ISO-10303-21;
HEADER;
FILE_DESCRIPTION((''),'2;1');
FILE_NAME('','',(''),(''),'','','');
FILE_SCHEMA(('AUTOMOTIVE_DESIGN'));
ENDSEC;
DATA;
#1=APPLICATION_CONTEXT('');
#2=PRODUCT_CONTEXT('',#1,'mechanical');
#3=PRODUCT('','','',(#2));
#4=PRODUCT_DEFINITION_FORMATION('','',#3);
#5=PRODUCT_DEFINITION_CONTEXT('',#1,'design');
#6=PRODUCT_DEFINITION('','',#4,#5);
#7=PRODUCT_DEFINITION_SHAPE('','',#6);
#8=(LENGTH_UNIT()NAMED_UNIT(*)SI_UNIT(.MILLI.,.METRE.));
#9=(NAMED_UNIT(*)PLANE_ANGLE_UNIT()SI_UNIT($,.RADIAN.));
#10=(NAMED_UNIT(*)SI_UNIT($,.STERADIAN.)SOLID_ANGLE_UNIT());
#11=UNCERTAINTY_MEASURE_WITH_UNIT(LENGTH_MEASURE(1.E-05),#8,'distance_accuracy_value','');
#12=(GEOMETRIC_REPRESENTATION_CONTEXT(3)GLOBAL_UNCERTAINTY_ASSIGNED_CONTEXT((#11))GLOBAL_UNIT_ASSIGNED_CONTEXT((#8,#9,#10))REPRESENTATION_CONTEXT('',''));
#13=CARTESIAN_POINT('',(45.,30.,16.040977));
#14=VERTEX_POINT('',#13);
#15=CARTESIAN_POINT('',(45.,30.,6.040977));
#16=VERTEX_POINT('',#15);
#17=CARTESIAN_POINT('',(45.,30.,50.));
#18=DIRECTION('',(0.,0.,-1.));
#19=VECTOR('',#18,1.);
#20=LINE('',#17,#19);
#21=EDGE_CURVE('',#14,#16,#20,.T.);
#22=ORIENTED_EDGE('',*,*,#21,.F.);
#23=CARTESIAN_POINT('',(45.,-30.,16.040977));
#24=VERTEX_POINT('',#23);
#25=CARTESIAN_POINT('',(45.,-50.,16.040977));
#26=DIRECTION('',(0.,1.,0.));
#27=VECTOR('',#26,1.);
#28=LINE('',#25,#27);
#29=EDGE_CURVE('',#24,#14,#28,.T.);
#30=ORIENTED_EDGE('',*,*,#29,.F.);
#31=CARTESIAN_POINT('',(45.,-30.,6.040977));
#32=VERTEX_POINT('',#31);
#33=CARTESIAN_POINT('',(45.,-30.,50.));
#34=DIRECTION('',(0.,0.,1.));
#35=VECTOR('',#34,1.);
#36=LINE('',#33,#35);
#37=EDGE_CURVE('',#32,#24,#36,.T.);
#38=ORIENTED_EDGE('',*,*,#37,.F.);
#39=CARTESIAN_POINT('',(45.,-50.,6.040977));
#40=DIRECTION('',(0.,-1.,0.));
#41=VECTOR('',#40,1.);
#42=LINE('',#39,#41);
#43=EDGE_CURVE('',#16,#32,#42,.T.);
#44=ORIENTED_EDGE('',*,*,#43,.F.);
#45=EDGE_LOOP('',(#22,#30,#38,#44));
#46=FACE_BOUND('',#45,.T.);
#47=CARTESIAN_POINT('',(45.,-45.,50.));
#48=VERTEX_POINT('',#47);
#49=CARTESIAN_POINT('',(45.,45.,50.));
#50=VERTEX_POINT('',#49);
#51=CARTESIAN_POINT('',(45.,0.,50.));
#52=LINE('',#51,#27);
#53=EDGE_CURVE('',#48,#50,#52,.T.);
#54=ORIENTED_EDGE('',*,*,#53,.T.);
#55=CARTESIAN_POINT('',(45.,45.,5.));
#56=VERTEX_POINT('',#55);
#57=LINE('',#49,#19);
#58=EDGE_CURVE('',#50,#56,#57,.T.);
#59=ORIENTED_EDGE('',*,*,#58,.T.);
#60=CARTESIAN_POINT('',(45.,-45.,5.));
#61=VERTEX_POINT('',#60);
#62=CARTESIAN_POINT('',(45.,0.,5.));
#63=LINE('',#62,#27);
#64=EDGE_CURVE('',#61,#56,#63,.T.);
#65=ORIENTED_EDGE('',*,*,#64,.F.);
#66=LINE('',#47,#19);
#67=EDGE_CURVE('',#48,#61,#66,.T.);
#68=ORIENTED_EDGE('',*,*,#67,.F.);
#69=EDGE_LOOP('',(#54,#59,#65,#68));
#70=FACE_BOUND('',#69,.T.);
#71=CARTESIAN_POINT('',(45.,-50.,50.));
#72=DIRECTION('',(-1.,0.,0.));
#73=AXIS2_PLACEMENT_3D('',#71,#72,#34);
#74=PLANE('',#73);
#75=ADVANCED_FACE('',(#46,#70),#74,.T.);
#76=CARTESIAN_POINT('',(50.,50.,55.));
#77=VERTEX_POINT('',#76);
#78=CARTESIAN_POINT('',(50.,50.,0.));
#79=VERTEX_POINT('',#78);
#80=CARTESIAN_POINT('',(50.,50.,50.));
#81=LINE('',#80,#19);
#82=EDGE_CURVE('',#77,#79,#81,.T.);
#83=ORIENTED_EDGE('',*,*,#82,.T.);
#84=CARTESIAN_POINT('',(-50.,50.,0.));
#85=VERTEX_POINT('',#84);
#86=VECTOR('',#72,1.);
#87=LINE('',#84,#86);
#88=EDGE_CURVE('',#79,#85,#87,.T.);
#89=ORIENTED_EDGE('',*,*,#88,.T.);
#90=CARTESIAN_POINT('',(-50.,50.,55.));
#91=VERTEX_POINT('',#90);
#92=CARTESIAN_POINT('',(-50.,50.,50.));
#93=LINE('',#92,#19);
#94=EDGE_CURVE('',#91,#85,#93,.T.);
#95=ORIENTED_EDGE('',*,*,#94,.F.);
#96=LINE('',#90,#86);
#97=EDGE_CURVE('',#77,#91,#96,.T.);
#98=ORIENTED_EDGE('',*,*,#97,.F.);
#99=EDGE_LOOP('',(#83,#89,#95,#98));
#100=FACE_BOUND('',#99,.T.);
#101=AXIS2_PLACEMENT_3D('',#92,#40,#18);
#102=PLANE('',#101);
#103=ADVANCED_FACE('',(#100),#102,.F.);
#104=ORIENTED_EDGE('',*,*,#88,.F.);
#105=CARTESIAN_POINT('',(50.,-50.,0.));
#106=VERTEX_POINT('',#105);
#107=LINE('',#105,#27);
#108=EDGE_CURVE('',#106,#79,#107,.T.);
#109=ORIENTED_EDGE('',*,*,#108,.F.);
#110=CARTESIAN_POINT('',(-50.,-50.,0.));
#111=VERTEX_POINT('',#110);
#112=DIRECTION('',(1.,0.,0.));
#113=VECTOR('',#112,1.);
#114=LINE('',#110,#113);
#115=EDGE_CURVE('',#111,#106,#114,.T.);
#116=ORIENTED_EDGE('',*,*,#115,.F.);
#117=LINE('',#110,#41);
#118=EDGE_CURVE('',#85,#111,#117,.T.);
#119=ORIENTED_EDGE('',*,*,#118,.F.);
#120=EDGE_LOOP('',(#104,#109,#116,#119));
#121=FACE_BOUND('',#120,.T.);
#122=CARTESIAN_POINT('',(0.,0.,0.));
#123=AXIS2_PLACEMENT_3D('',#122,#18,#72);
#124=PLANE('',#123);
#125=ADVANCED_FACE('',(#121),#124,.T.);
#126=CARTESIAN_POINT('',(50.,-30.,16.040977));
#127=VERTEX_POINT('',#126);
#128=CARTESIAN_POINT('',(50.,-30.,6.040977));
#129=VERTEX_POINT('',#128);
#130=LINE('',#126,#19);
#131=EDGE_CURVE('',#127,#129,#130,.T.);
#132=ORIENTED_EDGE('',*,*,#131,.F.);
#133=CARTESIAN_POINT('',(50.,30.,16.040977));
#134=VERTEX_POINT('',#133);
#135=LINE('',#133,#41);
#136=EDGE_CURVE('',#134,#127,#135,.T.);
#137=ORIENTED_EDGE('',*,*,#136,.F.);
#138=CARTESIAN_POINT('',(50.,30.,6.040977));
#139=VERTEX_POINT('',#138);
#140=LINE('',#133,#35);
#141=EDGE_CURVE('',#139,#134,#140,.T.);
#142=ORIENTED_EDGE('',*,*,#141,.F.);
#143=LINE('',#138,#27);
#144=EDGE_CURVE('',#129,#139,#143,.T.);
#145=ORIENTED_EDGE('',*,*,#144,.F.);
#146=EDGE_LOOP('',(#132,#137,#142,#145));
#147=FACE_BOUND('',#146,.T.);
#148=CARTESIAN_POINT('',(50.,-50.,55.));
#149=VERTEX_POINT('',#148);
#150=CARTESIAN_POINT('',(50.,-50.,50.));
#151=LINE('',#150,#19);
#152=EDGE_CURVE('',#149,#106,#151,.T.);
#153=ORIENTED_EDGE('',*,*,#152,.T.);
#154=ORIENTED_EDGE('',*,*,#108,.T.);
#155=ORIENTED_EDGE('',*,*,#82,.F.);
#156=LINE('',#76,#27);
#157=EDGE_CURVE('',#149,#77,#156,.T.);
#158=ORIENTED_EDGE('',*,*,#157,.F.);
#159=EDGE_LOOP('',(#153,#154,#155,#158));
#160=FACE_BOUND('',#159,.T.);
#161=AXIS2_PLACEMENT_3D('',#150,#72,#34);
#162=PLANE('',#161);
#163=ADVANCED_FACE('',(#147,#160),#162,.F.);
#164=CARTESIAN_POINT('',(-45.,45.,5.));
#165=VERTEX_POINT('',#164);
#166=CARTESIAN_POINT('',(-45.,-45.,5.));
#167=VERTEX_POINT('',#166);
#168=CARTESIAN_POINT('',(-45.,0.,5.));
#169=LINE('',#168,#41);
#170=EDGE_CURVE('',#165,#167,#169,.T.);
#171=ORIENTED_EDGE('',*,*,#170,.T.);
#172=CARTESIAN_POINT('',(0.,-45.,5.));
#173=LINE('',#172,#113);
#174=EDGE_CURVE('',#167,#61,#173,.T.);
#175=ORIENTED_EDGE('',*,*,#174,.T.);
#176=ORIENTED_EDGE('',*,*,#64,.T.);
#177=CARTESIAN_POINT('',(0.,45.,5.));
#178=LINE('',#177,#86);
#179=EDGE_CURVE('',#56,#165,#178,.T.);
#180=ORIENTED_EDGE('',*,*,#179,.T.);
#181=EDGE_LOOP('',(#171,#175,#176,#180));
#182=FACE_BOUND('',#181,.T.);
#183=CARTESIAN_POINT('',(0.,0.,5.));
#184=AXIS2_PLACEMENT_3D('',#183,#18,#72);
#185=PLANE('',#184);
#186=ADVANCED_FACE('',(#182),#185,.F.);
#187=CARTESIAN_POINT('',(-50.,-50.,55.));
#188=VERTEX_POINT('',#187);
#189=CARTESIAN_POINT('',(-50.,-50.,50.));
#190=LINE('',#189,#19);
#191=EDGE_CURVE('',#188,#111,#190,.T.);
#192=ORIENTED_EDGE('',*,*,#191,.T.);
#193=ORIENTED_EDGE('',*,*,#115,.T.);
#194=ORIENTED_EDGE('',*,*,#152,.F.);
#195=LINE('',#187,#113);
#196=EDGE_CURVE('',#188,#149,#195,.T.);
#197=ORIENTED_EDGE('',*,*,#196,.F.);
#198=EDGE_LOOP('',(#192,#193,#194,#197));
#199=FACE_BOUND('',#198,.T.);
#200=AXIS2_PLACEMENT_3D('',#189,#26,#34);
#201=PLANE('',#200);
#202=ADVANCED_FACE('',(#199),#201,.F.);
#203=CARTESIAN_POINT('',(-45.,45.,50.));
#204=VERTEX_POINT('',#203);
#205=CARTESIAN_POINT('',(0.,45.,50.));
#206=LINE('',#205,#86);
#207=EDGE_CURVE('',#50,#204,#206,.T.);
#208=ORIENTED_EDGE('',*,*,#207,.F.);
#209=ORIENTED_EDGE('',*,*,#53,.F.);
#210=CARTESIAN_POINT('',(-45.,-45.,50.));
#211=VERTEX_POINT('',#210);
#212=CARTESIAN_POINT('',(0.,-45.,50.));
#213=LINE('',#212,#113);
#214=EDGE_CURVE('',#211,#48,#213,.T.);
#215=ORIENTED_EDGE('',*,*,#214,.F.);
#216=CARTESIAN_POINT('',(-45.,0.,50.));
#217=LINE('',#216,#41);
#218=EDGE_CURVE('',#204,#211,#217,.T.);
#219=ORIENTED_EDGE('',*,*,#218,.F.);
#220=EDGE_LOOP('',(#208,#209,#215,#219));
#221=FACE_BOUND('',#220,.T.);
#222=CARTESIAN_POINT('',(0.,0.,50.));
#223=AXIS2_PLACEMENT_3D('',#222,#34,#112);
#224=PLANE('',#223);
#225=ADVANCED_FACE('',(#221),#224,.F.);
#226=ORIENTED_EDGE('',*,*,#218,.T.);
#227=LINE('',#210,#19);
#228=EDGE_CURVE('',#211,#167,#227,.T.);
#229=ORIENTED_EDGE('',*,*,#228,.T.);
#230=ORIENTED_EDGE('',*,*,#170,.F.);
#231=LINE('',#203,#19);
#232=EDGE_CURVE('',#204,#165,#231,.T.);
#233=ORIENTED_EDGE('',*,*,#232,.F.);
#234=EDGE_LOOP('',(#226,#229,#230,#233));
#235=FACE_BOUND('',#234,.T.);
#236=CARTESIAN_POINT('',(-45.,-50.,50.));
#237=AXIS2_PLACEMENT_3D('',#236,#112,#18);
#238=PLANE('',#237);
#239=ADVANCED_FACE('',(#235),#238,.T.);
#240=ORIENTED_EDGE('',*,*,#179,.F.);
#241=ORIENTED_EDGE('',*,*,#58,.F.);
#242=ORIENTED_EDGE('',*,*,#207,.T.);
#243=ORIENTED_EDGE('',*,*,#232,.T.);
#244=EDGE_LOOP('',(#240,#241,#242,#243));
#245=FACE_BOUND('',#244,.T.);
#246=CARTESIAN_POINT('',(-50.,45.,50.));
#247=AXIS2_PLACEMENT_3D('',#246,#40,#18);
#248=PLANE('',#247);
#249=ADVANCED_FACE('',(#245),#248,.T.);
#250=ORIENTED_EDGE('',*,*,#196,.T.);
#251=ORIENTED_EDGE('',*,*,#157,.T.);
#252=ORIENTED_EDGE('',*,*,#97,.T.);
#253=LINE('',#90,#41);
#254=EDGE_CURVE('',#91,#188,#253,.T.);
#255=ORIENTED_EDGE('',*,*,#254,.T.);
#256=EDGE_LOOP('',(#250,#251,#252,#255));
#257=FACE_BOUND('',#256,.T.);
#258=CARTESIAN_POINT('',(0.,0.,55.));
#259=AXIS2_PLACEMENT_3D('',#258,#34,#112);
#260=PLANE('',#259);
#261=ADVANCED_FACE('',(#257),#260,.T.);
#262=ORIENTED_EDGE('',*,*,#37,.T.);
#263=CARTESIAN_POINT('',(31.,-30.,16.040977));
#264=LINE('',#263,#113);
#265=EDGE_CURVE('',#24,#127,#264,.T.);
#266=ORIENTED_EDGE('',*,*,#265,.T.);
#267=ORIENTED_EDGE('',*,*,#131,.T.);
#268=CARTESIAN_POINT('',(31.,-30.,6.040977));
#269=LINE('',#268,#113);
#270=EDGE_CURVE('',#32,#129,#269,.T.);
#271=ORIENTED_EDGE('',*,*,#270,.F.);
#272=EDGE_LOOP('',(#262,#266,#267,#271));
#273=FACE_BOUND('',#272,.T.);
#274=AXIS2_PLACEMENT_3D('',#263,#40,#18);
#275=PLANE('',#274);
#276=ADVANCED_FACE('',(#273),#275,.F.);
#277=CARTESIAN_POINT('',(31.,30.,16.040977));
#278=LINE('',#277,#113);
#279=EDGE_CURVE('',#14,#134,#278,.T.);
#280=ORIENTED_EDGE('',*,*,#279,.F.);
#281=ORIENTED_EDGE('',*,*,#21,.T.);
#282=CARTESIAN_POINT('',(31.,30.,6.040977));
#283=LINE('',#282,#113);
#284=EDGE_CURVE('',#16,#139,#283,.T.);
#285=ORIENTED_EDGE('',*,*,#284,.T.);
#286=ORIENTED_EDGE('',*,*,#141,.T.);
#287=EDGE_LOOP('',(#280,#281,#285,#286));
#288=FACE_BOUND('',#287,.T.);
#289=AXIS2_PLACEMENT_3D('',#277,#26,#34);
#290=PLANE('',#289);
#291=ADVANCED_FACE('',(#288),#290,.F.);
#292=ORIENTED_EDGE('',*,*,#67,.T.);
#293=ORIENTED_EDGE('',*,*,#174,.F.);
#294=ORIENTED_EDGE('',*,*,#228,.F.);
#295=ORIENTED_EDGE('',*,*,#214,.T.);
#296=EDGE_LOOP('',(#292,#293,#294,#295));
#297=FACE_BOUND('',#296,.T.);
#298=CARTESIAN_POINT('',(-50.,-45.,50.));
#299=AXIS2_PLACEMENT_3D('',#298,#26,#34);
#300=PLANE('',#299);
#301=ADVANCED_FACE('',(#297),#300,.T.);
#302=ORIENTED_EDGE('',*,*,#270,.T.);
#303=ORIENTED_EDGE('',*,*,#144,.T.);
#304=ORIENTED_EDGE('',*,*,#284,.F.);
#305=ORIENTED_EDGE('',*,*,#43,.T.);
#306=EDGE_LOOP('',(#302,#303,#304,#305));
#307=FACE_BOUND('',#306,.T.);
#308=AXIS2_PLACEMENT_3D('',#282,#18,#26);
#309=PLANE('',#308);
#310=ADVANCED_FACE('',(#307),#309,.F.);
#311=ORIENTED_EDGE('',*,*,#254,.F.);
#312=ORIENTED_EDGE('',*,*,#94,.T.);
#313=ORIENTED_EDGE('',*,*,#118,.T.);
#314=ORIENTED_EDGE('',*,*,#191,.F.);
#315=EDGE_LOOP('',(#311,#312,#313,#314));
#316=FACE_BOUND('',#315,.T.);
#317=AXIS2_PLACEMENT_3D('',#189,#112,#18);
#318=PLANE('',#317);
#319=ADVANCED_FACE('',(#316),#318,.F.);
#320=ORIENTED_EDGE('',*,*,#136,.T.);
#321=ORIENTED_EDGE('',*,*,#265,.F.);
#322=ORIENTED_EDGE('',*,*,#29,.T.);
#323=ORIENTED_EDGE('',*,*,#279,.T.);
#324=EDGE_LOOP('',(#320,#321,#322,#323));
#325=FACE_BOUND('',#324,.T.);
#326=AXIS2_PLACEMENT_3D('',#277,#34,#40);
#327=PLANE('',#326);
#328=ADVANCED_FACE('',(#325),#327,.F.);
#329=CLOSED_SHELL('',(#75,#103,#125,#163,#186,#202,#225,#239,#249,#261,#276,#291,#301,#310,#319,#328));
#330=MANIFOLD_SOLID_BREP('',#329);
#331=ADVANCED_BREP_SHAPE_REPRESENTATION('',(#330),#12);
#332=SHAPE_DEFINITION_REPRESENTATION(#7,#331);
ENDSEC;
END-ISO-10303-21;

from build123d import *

# Parameters (mm, degrees)
SKETCH1_W           = 100
SKETCH1_H           = 100
BOSS_EXTRUDE1_DEPTH = 50
SHELL1_T            = -5
SKETCH2_W           = 10
SKETCH2_H           = 60
CUT_EXTRUDE1_DEPTH  = 19
SKETCH3_W           = 100
SKETCH3_H           = 100
BOSS_EXTRUDE2_DEPTH = 5


with BuildPart() as part:
    # Sketch1 → Boss-Extrude1 (new body)
    with BuildSketch(Plane.XY):
        Rectangle(SKETCH1_W, SKETCH1_H)
    extrude(amount=BOSS_EXTRUDE1_DEPTH)

    # Shell1
    shell1_openings = [part.faces().sort_by_distance(p)[0] for p in [
        (0, 0, 50),
    ]]
    offset(amount=SHELL1_T, openings=shell1_openings, kind=Kind.INTERSECTION)

    # Sketch2 → Cut-Extrude1 (cut)
    with BuildSketch(Plane(origin=(50, 0, 0), x_dir=(0, 0, -1), z_dir=(1, 0, 0))):
        with Locations((-11.04097714, 0)):
            Rectangle(SKETCH2_W, SKETCH2_H)
    extrude(amount=-CUT_EXTRUDE1_DEPTH, mode=Mode.SUBTRACT)

    # Sketch3 → Boss-Extrude2 (add)
    with BuildSketch(Plane.XY.offset(50)):
        Rectangle(SKETCH3_W, SKETCH3_H)
    extrude(amount=BOSS_EXTRUDE2_DEPTH)


solid = part.part
